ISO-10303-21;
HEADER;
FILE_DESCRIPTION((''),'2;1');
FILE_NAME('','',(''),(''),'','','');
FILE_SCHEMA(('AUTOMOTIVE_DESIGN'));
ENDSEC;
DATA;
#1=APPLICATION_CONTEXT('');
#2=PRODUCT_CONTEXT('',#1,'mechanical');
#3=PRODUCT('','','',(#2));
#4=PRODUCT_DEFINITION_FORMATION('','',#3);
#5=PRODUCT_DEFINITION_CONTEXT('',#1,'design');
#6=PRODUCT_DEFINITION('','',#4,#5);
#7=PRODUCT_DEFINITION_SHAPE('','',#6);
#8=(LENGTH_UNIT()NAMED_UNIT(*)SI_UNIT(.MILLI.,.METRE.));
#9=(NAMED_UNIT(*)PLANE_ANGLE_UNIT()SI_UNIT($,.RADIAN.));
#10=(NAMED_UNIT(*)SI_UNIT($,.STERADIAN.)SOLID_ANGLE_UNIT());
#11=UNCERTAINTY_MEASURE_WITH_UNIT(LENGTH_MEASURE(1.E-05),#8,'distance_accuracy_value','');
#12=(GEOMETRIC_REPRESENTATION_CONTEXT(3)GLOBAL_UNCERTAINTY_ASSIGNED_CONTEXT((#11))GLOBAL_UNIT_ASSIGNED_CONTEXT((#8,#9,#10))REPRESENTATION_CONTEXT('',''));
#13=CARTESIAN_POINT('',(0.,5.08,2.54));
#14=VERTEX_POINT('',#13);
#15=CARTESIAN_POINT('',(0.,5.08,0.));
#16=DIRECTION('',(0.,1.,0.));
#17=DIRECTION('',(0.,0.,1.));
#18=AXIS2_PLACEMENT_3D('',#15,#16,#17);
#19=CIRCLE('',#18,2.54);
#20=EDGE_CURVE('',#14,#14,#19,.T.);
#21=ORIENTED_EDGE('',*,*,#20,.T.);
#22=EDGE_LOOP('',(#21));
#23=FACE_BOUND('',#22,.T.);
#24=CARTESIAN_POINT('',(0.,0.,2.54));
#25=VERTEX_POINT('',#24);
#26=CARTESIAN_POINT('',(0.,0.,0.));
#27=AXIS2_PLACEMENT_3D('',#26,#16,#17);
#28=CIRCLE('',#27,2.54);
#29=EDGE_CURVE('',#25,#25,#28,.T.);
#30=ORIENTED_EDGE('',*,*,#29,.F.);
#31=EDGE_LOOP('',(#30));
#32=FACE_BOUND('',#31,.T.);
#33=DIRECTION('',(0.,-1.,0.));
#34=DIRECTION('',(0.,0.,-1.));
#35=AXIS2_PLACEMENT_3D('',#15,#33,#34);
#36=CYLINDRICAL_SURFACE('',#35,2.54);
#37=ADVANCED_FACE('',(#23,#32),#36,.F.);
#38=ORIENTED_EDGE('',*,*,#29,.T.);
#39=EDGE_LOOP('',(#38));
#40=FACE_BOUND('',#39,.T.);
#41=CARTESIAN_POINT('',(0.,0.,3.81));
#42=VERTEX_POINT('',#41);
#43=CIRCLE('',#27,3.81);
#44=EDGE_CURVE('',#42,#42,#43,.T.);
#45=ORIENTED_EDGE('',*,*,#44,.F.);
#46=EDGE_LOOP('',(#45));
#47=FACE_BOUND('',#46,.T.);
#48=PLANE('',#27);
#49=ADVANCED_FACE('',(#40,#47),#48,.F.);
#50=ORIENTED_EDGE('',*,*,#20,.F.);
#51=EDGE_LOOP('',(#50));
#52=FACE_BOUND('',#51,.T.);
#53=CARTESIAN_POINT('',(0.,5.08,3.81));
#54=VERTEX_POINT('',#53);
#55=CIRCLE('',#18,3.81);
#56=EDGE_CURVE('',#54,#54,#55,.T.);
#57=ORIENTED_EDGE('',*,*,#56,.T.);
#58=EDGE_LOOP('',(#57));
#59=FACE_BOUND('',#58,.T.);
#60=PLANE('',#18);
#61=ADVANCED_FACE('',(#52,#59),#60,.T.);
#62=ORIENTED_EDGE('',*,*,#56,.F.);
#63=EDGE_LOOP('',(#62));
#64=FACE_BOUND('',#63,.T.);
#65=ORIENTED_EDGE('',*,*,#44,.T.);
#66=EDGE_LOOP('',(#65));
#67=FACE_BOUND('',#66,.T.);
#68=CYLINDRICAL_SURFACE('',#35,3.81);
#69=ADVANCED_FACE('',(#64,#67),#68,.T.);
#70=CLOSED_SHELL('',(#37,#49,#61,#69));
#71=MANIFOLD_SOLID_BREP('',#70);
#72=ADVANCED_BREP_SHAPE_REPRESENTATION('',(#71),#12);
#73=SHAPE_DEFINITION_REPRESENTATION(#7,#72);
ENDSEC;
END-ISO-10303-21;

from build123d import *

# Parameters (mm, degrees)
SKETCH1_R           = 3.81
SKETCH1_R_2         = 2.54
BOSS_EXTRUDE1_DEPTH = 5.08


with BuildPart() as part:
    # Sketch1 → Boss-Extrude1 (new body)
    with BuildSketch(Plane(origin=(0, 0, 0), x_dir=(1, 0, 0), z_dir=(0, 1, 0))):
        Circle(SKETCH1_R)
        Circle(SKETCH1_R_2, mode=Mode.SUBTRACT)
    extrude(amount=BOSS_EXTRUDE1_DEPTH)


solid = part.part
